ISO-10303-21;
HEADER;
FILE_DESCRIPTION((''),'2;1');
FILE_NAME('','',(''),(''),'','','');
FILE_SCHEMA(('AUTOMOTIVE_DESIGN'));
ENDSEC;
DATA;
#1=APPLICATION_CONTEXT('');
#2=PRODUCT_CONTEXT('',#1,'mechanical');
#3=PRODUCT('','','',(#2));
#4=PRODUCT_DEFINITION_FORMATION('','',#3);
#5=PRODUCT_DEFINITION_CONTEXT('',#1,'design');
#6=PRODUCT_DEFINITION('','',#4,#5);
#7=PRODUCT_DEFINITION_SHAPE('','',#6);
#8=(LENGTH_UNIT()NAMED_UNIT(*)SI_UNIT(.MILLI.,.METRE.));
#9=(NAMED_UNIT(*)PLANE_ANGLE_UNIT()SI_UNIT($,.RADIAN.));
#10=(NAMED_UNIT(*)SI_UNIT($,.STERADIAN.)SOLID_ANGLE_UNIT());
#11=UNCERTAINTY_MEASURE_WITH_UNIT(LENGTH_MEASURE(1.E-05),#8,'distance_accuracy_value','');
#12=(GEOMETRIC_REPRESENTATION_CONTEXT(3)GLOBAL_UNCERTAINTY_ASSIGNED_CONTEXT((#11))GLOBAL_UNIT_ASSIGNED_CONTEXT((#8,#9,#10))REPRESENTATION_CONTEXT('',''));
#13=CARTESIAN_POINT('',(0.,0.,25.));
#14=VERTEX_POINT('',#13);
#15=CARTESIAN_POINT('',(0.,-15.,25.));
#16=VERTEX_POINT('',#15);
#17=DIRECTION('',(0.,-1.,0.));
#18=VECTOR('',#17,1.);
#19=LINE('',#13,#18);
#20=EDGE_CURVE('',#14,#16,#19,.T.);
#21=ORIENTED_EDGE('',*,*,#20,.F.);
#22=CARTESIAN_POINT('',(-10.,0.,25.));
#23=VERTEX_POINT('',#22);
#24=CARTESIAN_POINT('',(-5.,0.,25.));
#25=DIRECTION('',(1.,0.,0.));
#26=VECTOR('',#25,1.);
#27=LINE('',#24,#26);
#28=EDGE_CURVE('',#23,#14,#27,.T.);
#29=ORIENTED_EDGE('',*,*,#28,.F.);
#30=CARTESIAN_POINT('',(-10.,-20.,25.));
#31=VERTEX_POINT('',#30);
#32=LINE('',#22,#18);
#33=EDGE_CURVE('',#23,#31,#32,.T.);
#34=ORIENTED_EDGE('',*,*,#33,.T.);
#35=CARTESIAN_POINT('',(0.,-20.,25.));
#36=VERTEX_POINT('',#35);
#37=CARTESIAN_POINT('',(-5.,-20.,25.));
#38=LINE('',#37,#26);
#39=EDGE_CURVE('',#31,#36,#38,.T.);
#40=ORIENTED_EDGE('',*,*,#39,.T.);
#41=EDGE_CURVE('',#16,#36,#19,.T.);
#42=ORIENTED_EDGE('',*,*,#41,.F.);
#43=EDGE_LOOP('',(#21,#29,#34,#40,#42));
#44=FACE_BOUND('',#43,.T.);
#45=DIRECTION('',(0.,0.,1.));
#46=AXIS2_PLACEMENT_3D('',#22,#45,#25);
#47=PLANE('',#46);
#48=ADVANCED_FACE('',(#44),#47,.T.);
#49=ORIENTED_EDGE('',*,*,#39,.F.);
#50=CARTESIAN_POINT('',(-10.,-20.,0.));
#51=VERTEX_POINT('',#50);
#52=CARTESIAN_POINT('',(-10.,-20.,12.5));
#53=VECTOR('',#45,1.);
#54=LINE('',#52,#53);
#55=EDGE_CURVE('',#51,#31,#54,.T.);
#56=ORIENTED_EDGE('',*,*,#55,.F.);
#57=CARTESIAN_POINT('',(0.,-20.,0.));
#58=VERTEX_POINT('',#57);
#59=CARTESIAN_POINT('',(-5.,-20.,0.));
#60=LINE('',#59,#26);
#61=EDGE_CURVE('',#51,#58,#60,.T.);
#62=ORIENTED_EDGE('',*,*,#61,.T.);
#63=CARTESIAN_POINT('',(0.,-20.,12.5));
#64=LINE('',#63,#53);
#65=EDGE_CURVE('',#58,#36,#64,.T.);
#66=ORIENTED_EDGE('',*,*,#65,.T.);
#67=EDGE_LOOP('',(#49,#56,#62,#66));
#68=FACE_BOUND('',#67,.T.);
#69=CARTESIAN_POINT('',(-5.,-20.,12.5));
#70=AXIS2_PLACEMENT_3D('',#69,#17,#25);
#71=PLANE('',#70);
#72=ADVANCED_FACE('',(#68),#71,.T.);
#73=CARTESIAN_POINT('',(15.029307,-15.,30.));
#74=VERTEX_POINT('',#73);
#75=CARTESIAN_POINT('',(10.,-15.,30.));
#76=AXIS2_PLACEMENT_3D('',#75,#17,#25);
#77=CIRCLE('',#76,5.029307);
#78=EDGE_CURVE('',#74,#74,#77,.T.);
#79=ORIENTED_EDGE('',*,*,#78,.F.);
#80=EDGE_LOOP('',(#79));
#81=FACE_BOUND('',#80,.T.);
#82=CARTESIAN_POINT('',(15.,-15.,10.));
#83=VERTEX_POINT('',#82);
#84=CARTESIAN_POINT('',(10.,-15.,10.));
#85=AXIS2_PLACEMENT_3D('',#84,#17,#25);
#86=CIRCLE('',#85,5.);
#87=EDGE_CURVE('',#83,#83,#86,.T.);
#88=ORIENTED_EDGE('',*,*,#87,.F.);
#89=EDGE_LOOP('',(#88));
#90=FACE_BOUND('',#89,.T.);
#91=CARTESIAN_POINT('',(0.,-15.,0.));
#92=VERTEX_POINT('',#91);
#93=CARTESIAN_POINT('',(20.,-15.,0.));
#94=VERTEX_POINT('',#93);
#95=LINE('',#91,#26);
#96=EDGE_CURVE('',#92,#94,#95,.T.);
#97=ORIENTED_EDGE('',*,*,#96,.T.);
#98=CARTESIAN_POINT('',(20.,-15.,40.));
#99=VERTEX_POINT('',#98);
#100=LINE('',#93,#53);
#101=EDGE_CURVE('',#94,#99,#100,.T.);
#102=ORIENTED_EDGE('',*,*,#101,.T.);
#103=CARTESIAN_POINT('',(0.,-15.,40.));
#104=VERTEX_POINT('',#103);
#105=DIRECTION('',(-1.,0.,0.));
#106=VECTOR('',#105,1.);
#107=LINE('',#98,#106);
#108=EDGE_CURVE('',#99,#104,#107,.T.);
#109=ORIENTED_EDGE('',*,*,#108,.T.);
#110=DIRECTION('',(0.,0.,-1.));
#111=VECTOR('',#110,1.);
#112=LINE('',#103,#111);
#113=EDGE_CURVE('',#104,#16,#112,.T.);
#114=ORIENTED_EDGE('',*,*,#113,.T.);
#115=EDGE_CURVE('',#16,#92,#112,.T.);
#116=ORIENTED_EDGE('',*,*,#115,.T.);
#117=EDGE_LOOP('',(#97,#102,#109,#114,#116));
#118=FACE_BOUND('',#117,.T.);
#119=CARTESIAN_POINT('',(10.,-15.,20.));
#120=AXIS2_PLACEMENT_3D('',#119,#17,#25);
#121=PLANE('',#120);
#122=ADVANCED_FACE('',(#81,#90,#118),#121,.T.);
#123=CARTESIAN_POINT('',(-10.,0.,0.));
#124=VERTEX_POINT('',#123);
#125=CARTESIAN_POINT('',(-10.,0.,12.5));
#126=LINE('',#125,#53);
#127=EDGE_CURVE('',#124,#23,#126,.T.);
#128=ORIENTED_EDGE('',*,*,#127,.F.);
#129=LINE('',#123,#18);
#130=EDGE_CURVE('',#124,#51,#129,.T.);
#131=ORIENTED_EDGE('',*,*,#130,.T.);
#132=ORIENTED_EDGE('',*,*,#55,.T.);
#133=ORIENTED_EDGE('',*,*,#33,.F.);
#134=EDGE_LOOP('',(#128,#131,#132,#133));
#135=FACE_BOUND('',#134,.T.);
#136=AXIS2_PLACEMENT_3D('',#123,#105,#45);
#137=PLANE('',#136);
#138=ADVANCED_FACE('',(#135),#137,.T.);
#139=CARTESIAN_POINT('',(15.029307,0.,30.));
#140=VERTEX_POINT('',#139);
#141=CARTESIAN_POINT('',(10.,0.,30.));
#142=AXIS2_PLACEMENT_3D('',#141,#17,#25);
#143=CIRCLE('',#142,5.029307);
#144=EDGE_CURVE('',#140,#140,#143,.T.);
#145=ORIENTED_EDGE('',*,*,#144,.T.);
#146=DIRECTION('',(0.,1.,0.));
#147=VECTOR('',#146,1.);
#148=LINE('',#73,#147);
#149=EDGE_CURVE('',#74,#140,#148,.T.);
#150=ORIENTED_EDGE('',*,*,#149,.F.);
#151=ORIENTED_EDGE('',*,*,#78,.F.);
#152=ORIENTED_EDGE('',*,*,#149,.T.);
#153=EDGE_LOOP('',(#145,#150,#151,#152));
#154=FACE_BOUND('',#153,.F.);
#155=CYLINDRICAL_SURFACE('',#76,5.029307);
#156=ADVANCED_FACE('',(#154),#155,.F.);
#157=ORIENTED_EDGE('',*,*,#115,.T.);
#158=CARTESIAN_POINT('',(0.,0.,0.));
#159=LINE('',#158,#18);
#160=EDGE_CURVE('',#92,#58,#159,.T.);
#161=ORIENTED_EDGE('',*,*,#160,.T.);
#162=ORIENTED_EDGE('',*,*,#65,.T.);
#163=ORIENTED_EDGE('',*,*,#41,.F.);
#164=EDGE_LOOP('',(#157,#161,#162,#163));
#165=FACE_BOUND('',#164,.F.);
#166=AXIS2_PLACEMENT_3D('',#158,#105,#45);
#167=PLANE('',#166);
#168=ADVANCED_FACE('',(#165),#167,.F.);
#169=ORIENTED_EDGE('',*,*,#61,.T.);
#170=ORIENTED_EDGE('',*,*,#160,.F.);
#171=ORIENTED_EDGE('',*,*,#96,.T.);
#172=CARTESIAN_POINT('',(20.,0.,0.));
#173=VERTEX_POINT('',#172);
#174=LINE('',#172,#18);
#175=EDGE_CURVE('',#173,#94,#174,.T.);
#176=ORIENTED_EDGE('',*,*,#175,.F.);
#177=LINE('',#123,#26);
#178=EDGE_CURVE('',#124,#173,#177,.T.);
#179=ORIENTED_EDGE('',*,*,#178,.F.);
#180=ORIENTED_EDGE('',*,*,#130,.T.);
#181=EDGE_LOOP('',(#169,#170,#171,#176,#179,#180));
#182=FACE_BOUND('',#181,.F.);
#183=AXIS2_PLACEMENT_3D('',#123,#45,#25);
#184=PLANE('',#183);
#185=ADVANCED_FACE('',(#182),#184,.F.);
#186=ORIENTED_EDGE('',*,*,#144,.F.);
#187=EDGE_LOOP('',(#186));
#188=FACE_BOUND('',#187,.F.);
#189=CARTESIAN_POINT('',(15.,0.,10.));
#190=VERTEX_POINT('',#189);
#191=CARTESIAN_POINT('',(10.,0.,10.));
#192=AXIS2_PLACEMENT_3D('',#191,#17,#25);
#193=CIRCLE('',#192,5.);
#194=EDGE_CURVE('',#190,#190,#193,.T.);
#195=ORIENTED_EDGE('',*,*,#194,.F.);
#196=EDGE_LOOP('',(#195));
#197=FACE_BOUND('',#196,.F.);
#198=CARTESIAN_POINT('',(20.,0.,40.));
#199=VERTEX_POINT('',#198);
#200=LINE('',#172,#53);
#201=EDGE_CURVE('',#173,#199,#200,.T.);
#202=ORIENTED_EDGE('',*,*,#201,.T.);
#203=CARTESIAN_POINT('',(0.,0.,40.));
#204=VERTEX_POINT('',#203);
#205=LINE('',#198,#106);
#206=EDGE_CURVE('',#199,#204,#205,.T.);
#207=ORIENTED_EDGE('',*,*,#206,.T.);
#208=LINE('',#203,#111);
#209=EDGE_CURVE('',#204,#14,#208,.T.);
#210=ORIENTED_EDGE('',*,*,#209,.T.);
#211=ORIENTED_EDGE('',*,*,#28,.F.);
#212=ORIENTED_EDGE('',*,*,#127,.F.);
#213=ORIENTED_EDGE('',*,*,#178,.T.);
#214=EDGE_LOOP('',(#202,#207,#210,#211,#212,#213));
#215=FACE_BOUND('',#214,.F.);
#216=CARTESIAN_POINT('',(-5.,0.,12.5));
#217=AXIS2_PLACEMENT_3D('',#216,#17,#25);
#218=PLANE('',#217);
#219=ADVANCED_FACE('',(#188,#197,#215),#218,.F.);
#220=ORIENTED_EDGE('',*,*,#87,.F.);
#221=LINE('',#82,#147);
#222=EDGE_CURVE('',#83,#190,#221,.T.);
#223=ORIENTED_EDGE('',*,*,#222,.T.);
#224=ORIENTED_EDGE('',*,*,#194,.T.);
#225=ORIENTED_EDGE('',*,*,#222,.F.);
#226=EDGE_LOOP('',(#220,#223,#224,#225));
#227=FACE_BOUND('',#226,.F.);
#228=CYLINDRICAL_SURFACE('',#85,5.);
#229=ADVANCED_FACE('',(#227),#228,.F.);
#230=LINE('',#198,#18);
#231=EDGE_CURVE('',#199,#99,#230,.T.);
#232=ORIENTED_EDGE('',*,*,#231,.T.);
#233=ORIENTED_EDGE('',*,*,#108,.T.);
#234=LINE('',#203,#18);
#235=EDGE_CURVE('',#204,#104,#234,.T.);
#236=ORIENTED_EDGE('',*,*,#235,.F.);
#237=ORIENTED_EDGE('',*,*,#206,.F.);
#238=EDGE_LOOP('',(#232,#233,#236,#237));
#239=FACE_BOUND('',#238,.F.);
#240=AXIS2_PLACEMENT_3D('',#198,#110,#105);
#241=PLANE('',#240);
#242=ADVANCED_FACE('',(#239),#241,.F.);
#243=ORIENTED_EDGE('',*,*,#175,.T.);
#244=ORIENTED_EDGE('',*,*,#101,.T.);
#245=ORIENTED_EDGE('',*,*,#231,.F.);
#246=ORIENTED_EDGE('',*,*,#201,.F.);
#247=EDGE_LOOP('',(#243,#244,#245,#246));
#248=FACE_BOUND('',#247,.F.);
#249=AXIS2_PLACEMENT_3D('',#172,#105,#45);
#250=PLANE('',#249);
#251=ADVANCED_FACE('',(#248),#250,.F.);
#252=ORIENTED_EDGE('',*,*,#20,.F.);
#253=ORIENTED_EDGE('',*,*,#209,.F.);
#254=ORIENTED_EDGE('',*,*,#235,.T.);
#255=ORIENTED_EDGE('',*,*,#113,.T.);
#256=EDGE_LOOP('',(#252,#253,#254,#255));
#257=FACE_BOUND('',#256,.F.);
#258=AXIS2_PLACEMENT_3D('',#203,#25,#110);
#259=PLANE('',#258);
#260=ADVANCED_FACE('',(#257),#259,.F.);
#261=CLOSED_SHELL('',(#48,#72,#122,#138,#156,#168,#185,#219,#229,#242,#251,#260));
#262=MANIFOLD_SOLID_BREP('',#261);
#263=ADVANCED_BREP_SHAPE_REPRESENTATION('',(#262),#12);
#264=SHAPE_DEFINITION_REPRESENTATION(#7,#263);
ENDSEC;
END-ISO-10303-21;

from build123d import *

# Parameters (mm, degrees)
F1_DEPTH = 15
F0_W     = 10
F0_H     = 25
F2_DEPTH = 20
F3_R     = 5
F3_R_2   = 5.029307
F4_DEPTH = 15


with BuildPart() as f1:
    # F0 (on Front) → F1 (new body)
    with BuildSketch(Plane.XZ):
        Polygon((0, 25), (0, 0), (20, 0), (20, 40), (0, 40), align=None)
    extrude(amount=F1_DEPTH)

    # F0 (on Front) → F2 (join)
    with BuildSketch(Plane.XZ):
        with Locations((-5, 12.5)):
            Rectangle(F0_W, F0_H)
    extrude(amount=F2_DEPTH)

    # F3 (on face) → F4 (cut)
    with BuildSketch(Plane.XZ.offset(15)):
        with Locations((10, 10)):
            Circle(F3_R)
        with Locations((10, 30)):
            Circle(F3_R_2)
    extrude(amount=-F4_DEPTH, mode=Mode.SUBTRACT)


solid = f1.part
